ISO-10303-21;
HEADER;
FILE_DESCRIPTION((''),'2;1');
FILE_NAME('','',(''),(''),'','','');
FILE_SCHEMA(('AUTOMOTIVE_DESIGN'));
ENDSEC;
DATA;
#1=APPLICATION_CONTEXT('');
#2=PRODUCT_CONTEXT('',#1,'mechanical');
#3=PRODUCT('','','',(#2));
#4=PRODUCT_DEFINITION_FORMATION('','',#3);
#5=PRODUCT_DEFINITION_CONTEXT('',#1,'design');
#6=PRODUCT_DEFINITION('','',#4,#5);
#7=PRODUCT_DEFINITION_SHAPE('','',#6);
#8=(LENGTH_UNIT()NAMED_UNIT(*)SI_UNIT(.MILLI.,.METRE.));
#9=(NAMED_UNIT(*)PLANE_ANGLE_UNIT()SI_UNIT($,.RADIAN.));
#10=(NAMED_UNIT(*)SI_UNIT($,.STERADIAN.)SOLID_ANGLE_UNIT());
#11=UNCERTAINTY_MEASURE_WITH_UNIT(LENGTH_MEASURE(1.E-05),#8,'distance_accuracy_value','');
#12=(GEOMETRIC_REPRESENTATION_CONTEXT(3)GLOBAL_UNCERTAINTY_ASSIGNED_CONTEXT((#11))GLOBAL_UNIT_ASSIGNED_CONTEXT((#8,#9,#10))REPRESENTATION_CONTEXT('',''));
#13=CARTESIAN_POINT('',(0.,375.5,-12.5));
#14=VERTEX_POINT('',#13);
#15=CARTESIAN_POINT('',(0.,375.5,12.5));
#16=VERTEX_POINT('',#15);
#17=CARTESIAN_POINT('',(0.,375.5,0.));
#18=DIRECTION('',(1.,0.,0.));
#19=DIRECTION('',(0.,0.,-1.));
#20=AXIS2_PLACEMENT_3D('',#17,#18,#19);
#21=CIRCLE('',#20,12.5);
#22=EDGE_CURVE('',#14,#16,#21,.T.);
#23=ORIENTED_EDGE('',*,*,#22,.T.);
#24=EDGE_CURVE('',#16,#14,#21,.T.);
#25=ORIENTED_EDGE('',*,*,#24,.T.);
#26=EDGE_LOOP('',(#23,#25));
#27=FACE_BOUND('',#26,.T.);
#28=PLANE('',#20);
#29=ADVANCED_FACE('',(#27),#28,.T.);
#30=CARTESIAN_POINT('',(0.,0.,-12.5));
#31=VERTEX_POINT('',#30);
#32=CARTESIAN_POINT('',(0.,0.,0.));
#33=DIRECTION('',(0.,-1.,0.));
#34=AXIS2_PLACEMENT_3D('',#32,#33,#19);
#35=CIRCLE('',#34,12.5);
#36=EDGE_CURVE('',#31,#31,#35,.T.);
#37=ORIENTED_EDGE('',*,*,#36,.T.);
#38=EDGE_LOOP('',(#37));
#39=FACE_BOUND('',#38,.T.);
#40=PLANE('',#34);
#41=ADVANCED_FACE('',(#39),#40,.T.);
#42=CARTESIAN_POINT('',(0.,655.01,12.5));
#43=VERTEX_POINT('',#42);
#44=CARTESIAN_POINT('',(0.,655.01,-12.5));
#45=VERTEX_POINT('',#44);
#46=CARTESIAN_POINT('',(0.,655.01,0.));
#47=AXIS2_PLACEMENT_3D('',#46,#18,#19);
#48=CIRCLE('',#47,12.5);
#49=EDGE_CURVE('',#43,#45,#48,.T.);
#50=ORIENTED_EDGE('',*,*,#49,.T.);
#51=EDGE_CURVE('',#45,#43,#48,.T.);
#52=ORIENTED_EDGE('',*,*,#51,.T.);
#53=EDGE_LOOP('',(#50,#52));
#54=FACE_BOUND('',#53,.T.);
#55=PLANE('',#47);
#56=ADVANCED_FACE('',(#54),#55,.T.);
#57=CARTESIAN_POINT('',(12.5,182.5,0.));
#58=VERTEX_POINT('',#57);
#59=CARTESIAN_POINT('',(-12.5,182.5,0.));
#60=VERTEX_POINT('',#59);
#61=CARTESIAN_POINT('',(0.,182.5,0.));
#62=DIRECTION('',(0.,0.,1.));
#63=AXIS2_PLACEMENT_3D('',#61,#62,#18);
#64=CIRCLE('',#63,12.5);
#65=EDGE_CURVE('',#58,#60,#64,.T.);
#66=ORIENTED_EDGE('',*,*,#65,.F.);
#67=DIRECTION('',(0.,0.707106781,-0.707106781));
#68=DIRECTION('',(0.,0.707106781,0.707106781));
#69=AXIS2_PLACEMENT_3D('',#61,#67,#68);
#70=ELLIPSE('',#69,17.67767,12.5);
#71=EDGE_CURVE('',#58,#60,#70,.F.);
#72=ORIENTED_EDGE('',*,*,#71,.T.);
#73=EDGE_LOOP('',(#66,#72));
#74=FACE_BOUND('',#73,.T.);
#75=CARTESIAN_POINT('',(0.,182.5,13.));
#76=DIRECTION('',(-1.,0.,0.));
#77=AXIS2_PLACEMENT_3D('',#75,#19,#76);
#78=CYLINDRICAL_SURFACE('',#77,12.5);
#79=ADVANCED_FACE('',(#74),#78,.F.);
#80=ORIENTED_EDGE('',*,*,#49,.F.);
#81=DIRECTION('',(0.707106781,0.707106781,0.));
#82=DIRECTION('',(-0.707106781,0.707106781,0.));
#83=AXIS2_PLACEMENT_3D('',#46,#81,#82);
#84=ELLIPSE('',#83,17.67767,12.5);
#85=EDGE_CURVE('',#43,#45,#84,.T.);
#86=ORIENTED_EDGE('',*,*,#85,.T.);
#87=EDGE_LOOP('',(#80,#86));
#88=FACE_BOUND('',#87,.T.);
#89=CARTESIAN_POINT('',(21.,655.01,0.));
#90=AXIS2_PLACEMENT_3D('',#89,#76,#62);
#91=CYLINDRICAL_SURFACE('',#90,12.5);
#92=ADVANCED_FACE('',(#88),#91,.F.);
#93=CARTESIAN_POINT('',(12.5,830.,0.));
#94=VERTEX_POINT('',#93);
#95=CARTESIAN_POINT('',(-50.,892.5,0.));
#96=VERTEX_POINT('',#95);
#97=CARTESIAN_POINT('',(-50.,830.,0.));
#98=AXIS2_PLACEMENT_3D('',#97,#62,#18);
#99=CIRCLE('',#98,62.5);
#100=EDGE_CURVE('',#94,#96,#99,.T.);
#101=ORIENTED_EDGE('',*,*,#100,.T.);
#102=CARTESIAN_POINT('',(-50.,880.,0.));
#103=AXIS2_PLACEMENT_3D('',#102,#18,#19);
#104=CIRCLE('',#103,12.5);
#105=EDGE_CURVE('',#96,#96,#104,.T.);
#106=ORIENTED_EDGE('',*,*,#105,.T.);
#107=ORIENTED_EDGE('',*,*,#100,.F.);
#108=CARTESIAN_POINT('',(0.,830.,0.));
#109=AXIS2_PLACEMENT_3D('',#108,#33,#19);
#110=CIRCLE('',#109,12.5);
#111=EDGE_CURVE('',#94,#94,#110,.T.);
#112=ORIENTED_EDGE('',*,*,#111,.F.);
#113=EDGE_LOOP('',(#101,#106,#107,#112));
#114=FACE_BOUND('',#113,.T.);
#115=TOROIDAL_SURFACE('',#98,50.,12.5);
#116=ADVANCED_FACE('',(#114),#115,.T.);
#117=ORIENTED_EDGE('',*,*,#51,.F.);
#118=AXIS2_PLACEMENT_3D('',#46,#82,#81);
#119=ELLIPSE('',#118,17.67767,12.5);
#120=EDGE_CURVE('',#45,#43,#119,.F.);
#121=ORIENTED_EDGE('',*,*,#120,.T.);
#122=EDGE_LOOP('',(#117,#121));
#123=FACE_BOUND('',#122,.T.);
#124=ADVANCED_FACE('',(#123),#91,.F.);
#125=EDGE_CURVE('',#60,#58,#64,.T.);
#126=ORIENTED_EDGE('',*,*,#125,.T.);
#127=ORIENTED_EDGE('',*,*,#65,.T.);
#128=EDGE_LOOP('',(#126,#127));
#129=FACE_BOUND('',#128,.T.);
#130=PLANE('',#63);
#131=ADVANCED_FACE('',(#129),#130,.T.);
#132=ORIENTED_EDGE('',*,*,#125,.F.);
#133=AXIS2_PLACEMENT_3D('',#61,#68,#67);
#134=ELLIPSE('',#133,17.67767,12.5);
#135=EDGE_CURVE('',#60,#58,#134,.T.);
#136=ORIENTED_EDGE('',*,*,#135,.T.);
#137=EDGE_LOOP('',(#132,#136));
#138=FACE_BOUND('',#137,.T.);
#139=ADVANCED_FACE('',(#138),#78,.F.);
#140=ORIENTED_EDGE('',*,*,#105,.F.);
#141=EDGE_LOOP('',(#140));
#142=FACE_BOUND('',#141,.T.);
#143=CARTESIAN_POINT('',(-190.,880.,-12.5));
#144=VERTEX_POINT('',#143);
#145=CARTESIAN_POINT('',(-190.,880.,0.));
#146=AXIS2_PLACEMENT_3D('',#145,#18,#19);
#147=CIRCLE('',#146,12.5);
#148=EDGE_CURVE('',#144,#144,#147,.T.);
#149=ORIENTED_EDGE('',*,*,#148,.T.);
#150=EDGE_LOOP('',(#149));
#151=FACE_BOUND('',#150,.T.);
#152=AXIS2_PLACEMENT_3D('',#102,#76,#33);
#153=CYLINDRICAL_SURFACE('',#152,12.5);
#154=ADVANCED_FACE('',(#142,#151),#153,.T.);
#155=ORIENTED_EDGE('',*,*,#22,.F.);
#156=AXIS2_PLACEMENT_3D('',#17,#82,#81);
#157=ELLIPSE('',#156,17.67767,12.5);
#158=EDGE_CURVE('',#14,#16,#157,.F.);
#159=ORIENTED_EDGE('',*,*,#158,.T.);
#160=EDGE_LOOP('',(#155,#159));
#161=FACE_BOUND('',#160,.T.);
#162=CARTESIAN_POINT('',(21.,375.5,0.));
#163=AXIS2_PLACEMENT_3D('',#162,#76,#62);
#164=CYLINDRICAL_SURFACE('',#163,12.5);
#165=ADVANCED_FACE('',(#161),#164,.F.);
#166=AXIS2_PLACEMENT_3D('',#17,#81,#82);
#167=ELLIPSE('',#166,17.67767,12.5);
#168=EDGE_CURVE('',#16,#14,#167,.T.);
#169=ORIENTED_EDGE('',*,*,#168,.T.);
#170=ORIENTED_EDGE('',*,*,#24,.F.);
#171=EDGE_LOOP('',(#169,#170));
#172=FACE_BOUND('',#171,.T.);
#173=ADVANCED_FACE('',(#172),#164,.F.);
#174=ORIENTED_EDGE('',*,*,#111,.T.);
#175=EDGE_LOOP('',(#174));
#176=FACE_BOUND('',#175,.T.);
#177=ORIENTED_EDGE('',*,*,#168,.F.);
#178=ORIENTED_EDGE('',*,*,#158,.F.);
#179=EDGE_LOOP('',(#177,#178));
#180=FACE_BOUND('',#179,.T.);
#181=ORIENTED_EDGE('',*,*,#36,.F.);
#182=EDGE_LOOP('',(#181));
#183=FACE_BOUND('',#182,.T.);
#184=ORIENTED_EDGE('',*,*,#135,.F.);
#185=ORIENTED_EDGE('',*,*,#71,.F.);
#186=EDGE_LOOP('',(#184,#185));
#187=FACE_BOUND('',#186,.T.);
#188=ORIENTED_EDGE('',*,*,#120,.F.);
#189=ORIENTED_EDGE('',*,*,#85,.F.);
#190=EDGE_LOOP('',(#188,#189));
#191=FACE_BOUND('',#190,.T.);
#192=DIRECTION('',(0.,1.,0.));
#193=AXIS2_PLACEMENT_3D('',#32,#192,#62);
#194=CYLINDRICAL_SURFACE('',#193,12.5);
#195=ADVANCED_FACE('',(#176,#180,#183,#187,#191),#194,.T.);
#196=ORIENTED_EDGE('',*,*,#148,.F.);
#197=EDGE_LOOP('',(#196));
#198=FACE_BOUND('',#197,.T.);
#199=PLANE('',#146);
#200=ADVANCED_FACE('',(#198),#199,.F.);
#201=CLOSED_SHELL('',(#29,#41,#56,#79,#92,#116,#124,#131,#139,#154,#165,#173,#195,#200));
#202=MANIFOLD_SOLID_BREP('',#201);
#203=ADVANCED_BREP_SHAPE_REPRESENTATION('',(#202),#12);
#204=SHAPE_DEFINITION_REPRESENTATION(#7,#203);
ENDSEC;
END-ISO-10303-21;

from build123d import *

# Parameters (mm, degrees)
SWEEP1_PROFILE_R   = 12.5
SKETCH8_R          = 12.5
CUT_EXTRUDE3_DEPTH = 21
SKETCH2_R          = 12.5
CUT_EXTRUDE6_DEPTH = 13


with BuildPart() as part:
    # Sweep1: sweep along a path in Sketch1
    with BuildLine(Plane.XY) as sweep1_path:
        Line((0, 0), (0, 830))
        ThreePointArc((0, 830), (-14.644660941, 865.355339059), (-50, 880))
        Line((-50, 880), (-190, 880))
    # Sweep1 profile (on start of the path) → Sweep1 (sweep)
    with BuildSketch(Plane.ZX):
        Circle(SWEEP1_PROFILE_R)
    sweep(path=sweep1_path.line)

    # Sketch8 → Cut-Extrude3 (cut)
    with BuildSketch(Plane(origin=(0, 0, 0), x_dir=(0, 0, -1), z_dir=(1, 0, 0))):
        with Locations((0, 655.01)):
            Circle(SKETCH8_R)
        with Locations((0, 375.5)):
            Circle(SKETCH8_R)
    extrude(amount=CUT_EXTRUDE3_DEPTH, mode=Mode.SUBTRACT)

    # Sketch2 → Cut-Extrude6 (cut)
    with BuildSketch(Plane.XY):
        with Locations((0, 182.5)):
            Circle(SKETCH2_R)
    extrude(amount=CUT_EXTRUDE6_DEPTH, mode=Mode.SUBTRACT)


solid = part.part
